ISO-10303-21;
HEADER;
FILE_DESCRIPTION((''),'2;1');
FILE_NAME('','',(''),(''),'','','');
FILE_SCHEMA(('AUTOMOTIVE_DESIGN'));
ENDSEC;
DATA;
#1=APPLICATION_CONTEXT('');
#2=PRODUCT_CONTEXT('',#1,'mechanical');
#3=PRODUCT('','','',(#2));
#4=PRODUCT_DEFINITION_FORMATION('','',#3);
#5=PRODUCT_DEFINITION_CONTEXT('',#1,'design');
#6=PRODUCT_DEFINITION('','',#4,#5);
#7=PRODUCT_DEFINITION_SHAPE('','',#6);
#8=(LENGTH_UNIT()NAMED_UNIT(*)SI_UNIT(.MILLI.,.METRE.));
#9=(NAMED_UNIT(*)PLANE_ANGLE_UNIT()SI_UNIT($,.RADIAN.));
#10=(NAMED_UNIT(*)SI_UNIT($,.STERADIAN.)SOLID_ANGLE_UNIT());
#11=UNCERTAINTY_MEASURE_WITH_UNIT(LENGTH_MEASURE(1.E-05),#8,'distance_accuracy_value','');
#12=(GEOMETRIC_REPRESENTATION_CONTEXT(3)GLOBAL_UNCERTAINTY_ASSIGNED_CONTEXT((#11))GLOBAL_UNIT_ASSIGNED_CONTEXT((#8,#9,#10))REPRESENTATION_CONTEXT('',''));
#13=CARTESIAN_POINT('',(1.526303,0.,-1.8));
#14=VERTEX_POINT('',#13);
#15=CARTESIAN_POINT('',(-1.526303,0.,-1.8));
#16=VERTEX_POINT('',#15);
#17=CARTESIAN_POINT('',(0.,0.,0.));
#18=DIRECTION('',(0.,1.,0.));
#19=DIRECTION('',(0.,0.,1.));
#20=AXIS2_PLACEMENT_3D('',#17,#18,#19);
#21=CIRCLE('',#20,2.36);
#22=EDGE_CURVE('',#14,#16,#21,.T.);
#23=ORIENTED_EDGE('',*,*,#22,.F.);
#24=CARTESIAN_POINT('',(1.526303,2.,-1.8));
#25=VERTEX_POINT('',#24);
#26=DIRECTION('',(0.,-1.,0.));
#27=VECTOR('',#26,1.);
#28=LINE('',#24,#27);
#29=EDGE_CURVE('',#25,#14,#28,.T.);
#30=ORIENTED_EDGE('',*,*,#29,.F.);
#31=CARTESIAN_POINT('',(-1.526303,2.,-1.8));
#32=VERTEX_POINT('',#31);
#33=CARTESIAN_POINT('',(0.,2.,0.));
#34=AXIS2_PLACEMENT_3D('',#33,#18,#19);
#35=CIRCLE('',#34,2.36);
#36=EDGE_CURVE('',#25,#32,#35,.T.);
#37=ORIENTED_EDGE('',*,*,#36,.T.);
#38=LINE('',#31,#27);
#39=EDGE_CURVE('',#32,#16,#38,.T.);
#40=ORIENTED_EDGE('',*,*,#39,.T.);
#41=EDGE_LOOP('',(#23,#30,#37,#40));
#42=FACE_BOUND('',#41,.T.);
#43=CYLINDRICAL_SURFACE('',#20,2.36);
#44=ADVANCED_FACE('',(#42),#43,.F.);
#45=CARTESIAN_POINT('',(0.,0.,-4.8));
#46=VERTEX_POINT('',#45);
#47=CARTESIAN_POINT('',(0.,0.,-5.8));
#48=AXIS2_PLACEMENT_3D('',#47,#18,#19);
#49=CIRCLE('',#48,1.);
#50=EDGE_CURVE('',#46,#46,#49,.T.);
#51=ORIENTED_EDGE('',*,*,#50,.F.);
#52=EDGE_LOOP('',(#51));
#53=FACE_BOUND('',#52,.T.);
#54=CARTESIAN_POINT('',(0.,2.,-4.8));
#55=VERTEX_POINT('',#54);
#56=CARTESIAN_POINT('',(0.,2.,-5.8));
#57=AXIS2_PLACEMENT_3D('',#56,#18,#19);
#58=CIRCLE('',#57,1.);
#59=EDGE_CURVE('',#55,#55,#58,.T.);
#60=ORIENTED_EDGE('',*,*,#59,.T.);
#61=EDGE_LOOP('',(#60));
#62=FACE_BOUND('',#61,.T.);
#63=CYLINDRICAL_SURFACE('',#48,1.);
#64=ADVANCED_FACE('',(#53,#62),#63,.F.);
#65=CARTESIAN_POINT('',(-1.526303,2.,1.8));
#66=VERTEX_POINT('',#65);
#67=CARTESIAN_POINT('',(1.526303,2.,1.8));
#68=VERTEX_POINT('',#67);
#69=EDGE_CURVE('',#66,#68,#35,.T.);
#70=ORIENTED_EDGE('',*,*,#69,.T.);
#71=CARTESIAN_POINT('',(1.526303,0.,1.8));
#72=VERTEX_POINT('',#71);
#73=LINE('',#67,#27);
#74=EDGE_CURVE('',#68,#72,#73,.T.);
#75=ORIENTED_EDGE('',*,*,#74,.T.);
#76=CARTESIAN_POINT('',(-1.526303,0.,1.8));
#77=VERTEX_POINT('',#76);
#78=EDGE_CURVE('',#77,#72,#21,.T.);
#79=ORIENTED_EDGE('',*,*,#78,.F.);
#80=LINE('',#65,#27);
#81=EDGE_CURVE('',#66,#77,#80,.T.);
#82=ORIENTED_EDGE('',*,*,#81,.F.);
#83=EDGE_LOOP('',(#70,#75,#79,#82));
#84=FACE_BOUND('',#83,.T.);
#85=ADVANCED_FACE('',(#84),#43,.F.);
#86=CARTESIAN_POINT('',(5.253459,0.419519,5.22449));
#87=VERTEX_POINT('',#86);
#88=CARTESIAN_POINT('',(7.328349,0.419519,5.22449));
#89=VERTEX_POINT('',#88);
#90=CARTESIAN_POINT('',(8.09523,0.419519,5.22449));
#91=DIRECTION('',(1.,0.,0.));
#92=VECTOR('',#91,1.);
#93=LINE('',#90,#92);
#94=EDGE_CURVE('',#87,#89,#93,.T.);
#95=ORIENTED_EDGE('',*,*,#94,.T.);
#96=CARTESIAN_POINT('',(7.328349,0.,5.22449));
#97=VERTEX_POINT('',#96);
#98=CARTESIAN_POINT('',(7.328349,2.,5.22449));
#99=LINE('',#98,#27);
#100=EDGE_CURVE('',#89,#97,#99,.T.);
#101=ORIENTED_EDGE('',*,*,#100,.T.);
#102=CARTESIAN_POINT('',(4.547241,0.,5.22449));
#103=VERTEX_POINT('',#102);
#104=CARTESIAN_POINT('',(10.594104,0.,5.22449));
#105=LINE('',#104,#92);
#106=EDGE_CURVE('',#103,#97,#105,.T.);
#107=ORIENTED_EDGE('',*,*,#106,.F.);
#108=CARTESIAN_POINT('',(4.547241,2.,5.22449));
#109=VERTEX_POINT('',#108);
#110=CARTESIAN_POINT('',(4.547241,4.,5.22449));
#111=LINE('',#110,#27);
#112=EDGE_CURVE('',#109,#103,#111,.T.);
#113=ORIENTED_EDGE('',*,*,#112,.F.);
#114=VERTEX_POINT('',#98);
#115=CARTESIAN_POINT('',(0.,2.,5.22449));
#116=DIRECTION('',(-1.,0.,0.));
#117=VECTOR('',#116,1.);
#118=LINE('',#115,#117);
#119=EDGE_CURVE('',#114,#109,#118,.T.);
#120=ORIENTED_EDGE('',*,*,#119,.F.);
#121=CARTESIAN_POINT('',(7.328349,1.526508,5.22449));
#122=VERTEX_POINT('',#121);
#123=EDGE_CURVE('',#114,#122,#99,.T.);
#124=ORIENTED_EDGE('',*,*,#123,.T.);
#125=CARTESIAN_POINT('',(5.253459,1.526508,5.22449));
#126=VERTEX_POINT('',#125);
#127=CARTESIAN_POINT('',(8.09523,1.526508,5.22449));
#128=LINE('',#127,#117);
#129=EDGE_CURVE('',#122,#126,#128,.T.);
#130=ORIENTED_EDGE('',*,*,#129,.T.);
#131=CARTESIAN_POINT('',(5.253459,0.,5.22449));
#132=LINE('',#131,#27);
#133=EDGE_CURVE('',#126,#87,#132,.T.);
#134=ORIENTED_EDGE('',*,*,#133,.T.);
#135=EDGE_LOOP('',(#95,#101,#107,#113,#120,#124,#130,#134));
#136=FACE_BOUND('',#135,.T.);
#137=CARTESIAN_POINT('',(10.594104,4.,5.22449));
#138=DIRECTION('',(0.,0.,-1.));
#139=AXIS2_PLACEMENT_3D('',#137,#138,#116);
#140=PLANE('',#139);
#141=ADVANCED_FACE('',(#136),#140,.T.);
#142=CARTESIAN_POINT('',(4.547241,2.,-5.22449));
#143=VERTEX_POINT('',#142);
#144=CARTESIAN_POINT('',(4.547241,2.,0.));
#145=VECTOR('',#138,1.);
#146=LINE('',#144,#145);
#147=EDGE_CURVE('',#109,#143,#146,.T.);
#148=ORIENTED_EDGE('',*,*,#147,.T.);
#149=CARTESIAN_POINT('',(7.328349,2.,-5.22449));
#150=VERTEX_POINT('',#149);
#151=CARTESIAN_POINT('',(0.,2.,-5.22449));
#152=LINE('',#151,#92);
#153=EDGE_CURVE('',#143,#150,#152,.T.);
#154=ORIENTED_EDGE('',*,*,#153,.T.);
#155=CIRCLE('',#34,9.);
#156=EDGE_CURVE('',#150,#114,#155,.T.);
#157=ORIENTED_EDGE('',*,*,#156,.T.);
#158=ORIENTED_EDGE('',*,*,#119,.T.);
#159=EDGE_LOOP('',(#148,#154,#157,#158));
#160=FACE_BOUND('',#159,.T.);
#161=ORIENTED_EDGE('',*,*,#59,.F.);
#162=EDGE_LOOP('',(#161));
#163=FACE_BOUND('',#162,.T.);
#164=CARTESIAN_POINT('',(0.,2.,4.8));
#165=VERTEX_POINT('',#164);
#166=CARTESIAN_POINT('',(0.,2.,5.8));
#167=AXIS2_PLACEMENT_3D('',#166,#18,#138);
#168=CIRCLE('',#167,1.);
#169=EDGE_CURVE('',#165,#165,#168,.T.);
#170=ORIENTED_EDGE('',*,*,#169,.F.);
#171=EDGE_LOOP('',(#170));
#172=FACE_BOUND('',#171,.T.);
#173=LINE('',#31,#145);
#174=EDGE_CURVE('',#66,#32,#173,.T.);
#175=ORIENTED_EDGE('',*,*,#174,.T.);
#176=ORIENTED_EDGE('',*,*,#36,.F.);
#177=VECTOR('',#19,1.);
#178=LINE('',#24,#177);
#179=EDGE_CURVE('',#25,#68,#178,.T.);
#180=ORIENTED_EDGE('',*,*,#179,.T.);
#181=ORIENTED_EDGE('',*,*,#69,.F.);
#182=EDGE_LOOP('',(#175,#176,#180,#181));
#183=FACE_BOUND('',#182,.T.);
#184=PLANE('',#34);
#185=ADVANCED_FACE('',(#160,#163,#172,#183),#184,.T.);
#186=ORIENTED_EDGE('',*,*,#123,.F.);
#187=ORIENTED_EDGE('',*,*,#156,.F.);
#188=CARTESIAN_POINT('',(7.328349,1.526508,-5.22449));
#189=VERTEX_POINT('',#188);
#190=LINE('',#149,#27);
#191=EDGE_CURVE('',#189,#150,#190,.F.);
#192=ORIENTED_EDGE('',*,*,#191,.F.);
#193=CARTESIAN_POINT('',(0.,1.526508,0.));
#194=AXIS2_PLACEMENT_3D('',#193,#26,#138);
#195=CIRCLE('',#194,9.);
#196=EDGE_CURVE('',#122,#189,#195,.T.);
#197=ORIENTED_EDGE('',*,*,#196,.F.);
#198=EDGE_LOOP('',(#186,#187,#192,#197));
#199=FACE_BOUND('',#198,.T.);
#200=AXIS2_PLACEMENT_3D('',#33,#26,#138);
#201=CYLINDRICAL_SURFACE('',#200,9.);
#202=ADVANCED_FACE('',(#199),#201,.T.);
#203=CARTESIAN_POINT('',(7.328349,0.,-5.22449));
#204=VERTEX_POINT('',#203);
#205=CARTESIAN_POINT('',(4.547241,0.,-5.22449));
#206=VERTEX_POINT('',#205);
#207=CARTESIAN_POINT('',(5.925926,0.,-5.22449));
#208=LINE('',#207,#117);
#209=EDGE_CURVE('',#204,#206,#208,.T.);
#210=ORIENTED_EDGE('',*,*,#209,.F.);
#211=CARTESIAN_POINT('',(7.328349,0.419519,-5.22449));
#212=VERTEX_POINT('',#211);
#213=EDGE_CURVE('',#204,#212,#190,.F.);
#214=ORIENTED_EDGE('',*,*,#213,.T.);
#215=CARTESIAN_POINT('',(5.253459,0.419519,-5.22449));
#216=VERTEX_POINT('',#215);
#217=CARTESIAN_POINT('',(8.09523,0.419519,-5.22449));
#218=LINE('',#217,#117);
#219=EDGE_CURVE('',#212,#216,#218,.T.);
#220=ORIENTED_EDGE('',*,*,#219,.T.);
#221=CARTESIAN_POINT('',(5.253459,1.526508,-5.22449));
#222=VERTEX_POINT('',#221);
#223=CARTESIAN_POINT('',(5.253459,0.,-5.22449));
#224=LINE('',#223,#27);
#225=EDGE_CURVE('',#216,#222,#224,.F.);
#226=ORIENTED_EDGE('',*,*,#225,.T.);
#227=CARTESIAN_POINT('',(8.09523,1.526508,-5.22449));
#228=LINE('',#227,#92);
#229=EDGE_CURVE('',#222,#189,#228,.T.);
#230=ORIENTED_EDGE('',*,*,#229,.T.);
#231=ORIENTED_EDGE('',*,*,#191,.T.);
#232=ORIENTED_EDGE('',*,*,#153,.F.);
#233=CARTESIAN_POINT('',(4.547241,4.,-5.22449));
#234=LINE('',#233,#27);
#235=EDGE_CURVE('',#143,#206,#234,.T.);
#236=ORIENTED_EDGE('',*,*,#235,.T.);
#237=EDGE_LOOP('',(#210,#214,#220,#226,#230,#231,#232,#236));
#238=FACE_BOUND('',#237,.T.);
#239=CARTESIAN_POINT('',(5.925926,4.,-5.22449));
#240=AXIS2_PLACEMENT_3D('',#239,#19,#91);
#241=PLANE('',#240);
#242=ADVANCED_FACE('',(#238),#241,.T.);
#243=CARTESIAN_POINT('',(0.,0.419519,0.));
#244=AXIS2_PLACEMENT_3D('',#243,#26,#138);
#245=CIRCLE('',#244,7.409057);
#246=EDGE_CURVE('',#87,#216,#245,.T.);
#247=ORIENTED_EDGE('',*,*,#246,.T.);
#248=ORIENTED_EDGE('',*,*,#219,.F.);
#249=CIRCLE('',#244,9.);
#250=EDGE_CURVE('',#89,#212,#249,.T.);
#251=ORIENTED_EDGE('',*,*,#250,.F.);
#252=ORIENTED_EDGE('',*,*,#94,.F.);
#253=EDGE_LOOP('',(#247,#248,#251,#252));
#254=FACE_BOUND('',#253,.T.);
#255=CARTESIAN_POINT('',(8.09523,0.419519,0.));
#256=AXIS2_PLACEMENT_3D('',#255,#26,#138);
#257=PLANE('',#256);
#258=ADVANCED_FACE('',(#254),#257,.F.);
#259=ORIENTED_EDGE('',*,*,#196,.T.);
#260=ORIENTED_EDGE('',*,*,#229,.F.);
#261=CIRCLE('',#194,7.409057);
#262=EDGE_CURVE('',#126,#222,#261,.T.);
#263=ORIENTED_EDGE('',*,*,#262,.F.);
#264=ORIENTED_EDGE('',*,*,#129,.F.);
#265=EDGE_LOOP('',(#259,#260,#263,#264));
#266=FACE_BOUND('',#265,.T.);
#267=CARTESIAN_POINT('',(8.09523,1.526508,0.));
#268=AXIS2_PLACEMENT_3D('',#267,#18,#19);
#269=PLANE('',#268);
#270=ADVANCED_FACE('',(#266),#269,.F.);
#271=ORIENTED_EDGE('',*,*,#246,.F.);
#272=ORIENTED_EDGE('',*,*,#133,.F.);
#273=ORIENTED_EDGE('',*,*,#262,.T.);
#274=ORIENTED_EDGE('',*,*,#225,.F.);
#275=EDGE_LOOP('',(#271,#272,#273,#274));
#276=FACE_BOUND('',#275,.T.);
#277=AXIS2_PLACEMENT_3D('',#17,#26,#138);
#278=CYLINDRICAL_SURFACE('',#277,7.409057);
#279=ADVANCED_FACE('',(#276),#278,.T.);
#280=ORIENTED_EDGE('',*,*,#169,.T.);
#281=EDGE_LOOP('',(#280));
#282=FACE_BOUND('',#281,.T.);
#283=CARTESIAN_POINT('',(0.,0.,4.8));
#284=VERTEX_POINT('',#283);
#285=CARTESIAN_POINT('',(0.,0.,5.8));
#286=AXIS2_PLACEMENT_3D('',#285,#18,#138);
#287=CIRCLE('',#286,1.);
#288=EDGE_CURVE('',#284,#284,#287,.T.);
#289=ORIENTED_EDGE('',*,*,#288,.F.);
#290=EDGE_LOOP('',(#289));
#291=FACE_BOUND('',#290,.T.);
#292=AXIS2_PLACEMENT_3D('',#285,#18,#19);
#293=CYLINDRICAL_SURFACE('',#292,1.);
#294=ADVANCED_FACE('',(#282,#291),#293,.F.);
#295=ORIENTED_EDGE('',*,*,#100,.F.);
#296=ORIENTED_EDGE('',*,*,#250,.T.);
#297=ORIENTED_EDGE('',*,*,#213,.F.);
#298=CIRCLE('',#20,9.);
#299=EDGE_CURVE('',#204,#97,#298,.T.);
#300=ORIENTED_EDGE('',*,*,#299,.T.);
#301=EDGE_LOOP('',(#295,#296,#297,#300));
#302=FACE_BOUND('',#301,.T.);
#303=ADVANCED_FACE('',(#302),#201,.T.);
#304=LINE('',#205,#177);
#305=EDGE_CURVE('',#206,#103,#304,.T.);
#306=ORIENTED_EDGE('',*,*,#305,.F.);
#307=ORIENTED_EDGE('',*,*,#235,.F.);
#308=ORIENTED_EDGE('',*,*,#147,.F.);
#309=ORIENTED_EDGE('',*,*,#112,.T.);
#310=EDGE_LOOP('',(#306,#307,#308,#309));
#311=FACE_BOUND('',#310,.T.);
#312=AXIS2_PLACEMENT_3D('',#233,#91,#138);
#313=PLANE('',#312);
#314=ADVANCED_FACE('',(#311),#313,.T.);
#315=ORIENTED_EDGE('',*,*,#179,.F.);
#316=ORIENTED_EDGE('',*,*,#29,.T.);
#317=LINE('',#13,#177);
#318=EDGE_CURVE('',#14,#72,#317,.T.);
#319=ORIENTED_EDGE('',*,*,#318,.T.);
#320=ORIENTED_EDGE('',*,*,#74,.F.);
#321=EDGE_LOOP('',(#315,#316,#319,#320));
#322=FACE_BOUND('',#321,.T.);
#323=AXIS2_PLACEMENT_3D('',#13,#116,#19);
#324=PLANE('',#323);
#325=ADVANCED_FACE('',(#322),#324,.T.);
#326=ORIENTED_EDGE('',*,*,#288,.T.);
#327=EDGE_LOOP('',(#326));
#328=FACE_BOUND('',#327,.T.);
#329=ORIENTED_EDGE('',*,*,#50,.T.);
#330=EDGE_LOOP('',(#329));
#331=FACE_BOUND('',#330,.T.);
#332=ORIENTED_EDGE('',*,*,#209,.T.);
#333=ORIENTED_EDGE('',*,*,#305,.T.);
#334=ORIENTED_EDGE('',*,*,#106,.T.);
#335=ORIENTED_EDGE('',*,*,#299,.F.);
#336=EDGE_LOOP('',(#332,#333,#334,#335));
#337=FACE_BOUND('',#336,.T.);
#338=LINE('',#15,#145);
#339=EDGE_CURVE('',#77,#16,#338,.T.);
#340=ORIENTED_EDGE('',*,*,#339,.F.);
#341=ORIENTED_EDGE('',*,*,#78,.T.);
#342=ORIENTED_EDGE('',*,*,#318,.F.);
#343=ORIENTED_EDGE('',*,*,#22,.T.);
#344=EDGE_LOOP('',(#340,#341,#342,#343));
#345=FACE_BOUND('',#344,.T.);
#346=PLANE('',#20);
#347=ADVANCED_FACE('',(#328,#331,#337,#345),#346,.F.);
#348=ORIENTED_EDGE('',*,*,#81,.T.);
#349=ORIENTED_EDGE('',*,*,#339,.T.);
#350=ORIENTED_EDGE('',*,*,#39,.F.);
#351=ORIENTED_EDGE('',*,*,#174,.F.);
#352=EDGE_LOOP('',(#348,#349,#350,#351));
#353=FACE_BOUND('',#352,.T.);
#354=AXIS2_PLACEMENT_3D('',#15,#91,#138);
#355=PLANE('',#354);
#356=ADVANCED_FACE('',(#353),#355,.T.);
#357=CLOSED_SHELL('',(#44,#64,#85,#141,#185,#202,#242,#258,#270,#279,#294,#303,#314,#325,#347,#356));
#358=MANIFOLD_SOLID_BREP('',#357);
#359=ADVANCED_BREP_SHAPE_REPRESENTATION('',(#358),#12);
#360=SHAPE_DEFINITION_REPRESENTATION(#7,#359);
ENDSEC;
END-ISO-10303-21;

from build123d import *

# Parameters (mm, degrees)
SKETCH_1_R          = 9
EXTRUDE_3_DEPTH     = 2
SKETCH_2_R          = 1
CUT_EXTRUDE_1_DEPTH = 2
CUT_EXTRUDE_2_DEPTH = 4
SKETCH_6_W          = 1.51058073
SKETCH_6_H          = 3.6
EXTRUDE_4_DEPTH     = 2
CUT_EXTRUDE_3_DEPTH = 2


with BuildPart() as part:
    # 草图1 → 凸台-拉伸3 (new body)
    with BuildSketch(Plane(origin=(0, 0, 0), x_dir=(1, 0, 0), z_dir=(0, 1, 0))):
        with Locations(Location((0, 0, 0), (0, 0, 270))):
            Circle(SKETCH_1_R)
        with BuildLine():
            ThreePointArc((1.526302722, -1.8), (2.36, 0), (1.526302722, 1.8))
            Line((1.526302722, 1.8), (-1.526302722, 1.8))
            ThreePointArc((-1.526302722, 1.8), (-2.36, 0), (-1.526302722, -1.8))
            Line((-1.526302722, -1.8), (1.526302722, -1.8))
        make_face(mode=Mode.SUBTRACT)
    extrude(amount=EXTRUDE_3_DEPTH)

    # 草图2 → 切除-拉伸1 (cut)
    with BuildSketch(Plane(origin=(0, 2, 0), x_dir=(1, 0, 0), z_dir=(0, 1, 0))):
        with Locations(Location((0, 5.8, 0), (0, 0, 270))):
            Circle(SKETCH_2_R)
        with Locations(Location((0, -5.8, 0), (0, 0, 90))):
            Circle(SKETCH_2_R)
    extrude(amount=-CUT_EXTRUDE_1_DEPTH, mode=Mode.SUBTRACT)

    # 草图3 → 切除-旋转1 (revolve, cut)
    with BuildSketch(Plane.XY, mode=Mode.PRIVATE) as cut_revolve_1_sk:
        Polygon((9, 1.526508216), (8.095229941, 1.526508216), (7.409057175, 1.526508216), (7.409057175, 0.419519155), (8.095229941, 0.419519155), (9, 0.419519155), align=None)
    revolve(cut_revolve_1_sk.sketch.rotate(Axis((0, 0, 0), (0, 1, 0)), 90), axis=Axis((0, 0, 0), (0, 1, 0)), mode=Mode.SUBTRACT)

    # 草图4 → 切除-拉伸2 (cut)
    with BuildSketch(Plane(origin=(0, 0, 0), x_dir=(1, 0, 0), z_dir=(0, 1, 0))):
        Polygon((8.707482993, 5.224489796), (5.925925926, 5.224489796), (4.547241119, 5.224489796), (4.547241119, -5.224489796), (5.925925926, -5.224489796), (8.707482993, -5.224489796), (10.594104308, -5.224489796), (10.594104308, 5.224489796), align=None)
    extrude(amount=CUT_EXTRUDE_2_DEPTH, mode=Mode.SUBTRACT)

    # 草图6 → 凸台-拉伸4 (add)
    with BuildSketch(Plane(origin=(0, 2, 0), x_dir=(1, 0, 0), z_dir=(0, 1, 0))):
        with Locations((-2.281593087, 0)):
            Rectangle(SKETCH_6_W, SKETCH_6_H)
        with Locations((2.281593087, 0)):
            Rectangle(SKETCH_6_W, SKETCH_6_H)
    extrude(amount=-EXTRUDE_4_DEPTH)

    # 草图5 → 切除-拉伸3 (cut)
    with BuildSketch(Plane(origin=(0, 2, 0), x_dir=(1, 0, 0), z_dir=(0, 1, 0))):
        with BuildLine():
            Line((1.526302722, 1.8), (1.526302722, -1.8))
            ThreePointArc((1.526302722, -1.8), (0, -2.36), (-1.526302722, -1.8))
            Line((-1.526302722, -1.8), (-1.526302722, 1.8))
            ThreePointArc((-1.526302722, 1.8), (0, 2.36), (1.526302722, 1.8))
        make_face()
    extrude(amount=-CUT_EXTRUDE_3_DEPTH, mode=Mode.SUBTRACT)


solid = part.part
